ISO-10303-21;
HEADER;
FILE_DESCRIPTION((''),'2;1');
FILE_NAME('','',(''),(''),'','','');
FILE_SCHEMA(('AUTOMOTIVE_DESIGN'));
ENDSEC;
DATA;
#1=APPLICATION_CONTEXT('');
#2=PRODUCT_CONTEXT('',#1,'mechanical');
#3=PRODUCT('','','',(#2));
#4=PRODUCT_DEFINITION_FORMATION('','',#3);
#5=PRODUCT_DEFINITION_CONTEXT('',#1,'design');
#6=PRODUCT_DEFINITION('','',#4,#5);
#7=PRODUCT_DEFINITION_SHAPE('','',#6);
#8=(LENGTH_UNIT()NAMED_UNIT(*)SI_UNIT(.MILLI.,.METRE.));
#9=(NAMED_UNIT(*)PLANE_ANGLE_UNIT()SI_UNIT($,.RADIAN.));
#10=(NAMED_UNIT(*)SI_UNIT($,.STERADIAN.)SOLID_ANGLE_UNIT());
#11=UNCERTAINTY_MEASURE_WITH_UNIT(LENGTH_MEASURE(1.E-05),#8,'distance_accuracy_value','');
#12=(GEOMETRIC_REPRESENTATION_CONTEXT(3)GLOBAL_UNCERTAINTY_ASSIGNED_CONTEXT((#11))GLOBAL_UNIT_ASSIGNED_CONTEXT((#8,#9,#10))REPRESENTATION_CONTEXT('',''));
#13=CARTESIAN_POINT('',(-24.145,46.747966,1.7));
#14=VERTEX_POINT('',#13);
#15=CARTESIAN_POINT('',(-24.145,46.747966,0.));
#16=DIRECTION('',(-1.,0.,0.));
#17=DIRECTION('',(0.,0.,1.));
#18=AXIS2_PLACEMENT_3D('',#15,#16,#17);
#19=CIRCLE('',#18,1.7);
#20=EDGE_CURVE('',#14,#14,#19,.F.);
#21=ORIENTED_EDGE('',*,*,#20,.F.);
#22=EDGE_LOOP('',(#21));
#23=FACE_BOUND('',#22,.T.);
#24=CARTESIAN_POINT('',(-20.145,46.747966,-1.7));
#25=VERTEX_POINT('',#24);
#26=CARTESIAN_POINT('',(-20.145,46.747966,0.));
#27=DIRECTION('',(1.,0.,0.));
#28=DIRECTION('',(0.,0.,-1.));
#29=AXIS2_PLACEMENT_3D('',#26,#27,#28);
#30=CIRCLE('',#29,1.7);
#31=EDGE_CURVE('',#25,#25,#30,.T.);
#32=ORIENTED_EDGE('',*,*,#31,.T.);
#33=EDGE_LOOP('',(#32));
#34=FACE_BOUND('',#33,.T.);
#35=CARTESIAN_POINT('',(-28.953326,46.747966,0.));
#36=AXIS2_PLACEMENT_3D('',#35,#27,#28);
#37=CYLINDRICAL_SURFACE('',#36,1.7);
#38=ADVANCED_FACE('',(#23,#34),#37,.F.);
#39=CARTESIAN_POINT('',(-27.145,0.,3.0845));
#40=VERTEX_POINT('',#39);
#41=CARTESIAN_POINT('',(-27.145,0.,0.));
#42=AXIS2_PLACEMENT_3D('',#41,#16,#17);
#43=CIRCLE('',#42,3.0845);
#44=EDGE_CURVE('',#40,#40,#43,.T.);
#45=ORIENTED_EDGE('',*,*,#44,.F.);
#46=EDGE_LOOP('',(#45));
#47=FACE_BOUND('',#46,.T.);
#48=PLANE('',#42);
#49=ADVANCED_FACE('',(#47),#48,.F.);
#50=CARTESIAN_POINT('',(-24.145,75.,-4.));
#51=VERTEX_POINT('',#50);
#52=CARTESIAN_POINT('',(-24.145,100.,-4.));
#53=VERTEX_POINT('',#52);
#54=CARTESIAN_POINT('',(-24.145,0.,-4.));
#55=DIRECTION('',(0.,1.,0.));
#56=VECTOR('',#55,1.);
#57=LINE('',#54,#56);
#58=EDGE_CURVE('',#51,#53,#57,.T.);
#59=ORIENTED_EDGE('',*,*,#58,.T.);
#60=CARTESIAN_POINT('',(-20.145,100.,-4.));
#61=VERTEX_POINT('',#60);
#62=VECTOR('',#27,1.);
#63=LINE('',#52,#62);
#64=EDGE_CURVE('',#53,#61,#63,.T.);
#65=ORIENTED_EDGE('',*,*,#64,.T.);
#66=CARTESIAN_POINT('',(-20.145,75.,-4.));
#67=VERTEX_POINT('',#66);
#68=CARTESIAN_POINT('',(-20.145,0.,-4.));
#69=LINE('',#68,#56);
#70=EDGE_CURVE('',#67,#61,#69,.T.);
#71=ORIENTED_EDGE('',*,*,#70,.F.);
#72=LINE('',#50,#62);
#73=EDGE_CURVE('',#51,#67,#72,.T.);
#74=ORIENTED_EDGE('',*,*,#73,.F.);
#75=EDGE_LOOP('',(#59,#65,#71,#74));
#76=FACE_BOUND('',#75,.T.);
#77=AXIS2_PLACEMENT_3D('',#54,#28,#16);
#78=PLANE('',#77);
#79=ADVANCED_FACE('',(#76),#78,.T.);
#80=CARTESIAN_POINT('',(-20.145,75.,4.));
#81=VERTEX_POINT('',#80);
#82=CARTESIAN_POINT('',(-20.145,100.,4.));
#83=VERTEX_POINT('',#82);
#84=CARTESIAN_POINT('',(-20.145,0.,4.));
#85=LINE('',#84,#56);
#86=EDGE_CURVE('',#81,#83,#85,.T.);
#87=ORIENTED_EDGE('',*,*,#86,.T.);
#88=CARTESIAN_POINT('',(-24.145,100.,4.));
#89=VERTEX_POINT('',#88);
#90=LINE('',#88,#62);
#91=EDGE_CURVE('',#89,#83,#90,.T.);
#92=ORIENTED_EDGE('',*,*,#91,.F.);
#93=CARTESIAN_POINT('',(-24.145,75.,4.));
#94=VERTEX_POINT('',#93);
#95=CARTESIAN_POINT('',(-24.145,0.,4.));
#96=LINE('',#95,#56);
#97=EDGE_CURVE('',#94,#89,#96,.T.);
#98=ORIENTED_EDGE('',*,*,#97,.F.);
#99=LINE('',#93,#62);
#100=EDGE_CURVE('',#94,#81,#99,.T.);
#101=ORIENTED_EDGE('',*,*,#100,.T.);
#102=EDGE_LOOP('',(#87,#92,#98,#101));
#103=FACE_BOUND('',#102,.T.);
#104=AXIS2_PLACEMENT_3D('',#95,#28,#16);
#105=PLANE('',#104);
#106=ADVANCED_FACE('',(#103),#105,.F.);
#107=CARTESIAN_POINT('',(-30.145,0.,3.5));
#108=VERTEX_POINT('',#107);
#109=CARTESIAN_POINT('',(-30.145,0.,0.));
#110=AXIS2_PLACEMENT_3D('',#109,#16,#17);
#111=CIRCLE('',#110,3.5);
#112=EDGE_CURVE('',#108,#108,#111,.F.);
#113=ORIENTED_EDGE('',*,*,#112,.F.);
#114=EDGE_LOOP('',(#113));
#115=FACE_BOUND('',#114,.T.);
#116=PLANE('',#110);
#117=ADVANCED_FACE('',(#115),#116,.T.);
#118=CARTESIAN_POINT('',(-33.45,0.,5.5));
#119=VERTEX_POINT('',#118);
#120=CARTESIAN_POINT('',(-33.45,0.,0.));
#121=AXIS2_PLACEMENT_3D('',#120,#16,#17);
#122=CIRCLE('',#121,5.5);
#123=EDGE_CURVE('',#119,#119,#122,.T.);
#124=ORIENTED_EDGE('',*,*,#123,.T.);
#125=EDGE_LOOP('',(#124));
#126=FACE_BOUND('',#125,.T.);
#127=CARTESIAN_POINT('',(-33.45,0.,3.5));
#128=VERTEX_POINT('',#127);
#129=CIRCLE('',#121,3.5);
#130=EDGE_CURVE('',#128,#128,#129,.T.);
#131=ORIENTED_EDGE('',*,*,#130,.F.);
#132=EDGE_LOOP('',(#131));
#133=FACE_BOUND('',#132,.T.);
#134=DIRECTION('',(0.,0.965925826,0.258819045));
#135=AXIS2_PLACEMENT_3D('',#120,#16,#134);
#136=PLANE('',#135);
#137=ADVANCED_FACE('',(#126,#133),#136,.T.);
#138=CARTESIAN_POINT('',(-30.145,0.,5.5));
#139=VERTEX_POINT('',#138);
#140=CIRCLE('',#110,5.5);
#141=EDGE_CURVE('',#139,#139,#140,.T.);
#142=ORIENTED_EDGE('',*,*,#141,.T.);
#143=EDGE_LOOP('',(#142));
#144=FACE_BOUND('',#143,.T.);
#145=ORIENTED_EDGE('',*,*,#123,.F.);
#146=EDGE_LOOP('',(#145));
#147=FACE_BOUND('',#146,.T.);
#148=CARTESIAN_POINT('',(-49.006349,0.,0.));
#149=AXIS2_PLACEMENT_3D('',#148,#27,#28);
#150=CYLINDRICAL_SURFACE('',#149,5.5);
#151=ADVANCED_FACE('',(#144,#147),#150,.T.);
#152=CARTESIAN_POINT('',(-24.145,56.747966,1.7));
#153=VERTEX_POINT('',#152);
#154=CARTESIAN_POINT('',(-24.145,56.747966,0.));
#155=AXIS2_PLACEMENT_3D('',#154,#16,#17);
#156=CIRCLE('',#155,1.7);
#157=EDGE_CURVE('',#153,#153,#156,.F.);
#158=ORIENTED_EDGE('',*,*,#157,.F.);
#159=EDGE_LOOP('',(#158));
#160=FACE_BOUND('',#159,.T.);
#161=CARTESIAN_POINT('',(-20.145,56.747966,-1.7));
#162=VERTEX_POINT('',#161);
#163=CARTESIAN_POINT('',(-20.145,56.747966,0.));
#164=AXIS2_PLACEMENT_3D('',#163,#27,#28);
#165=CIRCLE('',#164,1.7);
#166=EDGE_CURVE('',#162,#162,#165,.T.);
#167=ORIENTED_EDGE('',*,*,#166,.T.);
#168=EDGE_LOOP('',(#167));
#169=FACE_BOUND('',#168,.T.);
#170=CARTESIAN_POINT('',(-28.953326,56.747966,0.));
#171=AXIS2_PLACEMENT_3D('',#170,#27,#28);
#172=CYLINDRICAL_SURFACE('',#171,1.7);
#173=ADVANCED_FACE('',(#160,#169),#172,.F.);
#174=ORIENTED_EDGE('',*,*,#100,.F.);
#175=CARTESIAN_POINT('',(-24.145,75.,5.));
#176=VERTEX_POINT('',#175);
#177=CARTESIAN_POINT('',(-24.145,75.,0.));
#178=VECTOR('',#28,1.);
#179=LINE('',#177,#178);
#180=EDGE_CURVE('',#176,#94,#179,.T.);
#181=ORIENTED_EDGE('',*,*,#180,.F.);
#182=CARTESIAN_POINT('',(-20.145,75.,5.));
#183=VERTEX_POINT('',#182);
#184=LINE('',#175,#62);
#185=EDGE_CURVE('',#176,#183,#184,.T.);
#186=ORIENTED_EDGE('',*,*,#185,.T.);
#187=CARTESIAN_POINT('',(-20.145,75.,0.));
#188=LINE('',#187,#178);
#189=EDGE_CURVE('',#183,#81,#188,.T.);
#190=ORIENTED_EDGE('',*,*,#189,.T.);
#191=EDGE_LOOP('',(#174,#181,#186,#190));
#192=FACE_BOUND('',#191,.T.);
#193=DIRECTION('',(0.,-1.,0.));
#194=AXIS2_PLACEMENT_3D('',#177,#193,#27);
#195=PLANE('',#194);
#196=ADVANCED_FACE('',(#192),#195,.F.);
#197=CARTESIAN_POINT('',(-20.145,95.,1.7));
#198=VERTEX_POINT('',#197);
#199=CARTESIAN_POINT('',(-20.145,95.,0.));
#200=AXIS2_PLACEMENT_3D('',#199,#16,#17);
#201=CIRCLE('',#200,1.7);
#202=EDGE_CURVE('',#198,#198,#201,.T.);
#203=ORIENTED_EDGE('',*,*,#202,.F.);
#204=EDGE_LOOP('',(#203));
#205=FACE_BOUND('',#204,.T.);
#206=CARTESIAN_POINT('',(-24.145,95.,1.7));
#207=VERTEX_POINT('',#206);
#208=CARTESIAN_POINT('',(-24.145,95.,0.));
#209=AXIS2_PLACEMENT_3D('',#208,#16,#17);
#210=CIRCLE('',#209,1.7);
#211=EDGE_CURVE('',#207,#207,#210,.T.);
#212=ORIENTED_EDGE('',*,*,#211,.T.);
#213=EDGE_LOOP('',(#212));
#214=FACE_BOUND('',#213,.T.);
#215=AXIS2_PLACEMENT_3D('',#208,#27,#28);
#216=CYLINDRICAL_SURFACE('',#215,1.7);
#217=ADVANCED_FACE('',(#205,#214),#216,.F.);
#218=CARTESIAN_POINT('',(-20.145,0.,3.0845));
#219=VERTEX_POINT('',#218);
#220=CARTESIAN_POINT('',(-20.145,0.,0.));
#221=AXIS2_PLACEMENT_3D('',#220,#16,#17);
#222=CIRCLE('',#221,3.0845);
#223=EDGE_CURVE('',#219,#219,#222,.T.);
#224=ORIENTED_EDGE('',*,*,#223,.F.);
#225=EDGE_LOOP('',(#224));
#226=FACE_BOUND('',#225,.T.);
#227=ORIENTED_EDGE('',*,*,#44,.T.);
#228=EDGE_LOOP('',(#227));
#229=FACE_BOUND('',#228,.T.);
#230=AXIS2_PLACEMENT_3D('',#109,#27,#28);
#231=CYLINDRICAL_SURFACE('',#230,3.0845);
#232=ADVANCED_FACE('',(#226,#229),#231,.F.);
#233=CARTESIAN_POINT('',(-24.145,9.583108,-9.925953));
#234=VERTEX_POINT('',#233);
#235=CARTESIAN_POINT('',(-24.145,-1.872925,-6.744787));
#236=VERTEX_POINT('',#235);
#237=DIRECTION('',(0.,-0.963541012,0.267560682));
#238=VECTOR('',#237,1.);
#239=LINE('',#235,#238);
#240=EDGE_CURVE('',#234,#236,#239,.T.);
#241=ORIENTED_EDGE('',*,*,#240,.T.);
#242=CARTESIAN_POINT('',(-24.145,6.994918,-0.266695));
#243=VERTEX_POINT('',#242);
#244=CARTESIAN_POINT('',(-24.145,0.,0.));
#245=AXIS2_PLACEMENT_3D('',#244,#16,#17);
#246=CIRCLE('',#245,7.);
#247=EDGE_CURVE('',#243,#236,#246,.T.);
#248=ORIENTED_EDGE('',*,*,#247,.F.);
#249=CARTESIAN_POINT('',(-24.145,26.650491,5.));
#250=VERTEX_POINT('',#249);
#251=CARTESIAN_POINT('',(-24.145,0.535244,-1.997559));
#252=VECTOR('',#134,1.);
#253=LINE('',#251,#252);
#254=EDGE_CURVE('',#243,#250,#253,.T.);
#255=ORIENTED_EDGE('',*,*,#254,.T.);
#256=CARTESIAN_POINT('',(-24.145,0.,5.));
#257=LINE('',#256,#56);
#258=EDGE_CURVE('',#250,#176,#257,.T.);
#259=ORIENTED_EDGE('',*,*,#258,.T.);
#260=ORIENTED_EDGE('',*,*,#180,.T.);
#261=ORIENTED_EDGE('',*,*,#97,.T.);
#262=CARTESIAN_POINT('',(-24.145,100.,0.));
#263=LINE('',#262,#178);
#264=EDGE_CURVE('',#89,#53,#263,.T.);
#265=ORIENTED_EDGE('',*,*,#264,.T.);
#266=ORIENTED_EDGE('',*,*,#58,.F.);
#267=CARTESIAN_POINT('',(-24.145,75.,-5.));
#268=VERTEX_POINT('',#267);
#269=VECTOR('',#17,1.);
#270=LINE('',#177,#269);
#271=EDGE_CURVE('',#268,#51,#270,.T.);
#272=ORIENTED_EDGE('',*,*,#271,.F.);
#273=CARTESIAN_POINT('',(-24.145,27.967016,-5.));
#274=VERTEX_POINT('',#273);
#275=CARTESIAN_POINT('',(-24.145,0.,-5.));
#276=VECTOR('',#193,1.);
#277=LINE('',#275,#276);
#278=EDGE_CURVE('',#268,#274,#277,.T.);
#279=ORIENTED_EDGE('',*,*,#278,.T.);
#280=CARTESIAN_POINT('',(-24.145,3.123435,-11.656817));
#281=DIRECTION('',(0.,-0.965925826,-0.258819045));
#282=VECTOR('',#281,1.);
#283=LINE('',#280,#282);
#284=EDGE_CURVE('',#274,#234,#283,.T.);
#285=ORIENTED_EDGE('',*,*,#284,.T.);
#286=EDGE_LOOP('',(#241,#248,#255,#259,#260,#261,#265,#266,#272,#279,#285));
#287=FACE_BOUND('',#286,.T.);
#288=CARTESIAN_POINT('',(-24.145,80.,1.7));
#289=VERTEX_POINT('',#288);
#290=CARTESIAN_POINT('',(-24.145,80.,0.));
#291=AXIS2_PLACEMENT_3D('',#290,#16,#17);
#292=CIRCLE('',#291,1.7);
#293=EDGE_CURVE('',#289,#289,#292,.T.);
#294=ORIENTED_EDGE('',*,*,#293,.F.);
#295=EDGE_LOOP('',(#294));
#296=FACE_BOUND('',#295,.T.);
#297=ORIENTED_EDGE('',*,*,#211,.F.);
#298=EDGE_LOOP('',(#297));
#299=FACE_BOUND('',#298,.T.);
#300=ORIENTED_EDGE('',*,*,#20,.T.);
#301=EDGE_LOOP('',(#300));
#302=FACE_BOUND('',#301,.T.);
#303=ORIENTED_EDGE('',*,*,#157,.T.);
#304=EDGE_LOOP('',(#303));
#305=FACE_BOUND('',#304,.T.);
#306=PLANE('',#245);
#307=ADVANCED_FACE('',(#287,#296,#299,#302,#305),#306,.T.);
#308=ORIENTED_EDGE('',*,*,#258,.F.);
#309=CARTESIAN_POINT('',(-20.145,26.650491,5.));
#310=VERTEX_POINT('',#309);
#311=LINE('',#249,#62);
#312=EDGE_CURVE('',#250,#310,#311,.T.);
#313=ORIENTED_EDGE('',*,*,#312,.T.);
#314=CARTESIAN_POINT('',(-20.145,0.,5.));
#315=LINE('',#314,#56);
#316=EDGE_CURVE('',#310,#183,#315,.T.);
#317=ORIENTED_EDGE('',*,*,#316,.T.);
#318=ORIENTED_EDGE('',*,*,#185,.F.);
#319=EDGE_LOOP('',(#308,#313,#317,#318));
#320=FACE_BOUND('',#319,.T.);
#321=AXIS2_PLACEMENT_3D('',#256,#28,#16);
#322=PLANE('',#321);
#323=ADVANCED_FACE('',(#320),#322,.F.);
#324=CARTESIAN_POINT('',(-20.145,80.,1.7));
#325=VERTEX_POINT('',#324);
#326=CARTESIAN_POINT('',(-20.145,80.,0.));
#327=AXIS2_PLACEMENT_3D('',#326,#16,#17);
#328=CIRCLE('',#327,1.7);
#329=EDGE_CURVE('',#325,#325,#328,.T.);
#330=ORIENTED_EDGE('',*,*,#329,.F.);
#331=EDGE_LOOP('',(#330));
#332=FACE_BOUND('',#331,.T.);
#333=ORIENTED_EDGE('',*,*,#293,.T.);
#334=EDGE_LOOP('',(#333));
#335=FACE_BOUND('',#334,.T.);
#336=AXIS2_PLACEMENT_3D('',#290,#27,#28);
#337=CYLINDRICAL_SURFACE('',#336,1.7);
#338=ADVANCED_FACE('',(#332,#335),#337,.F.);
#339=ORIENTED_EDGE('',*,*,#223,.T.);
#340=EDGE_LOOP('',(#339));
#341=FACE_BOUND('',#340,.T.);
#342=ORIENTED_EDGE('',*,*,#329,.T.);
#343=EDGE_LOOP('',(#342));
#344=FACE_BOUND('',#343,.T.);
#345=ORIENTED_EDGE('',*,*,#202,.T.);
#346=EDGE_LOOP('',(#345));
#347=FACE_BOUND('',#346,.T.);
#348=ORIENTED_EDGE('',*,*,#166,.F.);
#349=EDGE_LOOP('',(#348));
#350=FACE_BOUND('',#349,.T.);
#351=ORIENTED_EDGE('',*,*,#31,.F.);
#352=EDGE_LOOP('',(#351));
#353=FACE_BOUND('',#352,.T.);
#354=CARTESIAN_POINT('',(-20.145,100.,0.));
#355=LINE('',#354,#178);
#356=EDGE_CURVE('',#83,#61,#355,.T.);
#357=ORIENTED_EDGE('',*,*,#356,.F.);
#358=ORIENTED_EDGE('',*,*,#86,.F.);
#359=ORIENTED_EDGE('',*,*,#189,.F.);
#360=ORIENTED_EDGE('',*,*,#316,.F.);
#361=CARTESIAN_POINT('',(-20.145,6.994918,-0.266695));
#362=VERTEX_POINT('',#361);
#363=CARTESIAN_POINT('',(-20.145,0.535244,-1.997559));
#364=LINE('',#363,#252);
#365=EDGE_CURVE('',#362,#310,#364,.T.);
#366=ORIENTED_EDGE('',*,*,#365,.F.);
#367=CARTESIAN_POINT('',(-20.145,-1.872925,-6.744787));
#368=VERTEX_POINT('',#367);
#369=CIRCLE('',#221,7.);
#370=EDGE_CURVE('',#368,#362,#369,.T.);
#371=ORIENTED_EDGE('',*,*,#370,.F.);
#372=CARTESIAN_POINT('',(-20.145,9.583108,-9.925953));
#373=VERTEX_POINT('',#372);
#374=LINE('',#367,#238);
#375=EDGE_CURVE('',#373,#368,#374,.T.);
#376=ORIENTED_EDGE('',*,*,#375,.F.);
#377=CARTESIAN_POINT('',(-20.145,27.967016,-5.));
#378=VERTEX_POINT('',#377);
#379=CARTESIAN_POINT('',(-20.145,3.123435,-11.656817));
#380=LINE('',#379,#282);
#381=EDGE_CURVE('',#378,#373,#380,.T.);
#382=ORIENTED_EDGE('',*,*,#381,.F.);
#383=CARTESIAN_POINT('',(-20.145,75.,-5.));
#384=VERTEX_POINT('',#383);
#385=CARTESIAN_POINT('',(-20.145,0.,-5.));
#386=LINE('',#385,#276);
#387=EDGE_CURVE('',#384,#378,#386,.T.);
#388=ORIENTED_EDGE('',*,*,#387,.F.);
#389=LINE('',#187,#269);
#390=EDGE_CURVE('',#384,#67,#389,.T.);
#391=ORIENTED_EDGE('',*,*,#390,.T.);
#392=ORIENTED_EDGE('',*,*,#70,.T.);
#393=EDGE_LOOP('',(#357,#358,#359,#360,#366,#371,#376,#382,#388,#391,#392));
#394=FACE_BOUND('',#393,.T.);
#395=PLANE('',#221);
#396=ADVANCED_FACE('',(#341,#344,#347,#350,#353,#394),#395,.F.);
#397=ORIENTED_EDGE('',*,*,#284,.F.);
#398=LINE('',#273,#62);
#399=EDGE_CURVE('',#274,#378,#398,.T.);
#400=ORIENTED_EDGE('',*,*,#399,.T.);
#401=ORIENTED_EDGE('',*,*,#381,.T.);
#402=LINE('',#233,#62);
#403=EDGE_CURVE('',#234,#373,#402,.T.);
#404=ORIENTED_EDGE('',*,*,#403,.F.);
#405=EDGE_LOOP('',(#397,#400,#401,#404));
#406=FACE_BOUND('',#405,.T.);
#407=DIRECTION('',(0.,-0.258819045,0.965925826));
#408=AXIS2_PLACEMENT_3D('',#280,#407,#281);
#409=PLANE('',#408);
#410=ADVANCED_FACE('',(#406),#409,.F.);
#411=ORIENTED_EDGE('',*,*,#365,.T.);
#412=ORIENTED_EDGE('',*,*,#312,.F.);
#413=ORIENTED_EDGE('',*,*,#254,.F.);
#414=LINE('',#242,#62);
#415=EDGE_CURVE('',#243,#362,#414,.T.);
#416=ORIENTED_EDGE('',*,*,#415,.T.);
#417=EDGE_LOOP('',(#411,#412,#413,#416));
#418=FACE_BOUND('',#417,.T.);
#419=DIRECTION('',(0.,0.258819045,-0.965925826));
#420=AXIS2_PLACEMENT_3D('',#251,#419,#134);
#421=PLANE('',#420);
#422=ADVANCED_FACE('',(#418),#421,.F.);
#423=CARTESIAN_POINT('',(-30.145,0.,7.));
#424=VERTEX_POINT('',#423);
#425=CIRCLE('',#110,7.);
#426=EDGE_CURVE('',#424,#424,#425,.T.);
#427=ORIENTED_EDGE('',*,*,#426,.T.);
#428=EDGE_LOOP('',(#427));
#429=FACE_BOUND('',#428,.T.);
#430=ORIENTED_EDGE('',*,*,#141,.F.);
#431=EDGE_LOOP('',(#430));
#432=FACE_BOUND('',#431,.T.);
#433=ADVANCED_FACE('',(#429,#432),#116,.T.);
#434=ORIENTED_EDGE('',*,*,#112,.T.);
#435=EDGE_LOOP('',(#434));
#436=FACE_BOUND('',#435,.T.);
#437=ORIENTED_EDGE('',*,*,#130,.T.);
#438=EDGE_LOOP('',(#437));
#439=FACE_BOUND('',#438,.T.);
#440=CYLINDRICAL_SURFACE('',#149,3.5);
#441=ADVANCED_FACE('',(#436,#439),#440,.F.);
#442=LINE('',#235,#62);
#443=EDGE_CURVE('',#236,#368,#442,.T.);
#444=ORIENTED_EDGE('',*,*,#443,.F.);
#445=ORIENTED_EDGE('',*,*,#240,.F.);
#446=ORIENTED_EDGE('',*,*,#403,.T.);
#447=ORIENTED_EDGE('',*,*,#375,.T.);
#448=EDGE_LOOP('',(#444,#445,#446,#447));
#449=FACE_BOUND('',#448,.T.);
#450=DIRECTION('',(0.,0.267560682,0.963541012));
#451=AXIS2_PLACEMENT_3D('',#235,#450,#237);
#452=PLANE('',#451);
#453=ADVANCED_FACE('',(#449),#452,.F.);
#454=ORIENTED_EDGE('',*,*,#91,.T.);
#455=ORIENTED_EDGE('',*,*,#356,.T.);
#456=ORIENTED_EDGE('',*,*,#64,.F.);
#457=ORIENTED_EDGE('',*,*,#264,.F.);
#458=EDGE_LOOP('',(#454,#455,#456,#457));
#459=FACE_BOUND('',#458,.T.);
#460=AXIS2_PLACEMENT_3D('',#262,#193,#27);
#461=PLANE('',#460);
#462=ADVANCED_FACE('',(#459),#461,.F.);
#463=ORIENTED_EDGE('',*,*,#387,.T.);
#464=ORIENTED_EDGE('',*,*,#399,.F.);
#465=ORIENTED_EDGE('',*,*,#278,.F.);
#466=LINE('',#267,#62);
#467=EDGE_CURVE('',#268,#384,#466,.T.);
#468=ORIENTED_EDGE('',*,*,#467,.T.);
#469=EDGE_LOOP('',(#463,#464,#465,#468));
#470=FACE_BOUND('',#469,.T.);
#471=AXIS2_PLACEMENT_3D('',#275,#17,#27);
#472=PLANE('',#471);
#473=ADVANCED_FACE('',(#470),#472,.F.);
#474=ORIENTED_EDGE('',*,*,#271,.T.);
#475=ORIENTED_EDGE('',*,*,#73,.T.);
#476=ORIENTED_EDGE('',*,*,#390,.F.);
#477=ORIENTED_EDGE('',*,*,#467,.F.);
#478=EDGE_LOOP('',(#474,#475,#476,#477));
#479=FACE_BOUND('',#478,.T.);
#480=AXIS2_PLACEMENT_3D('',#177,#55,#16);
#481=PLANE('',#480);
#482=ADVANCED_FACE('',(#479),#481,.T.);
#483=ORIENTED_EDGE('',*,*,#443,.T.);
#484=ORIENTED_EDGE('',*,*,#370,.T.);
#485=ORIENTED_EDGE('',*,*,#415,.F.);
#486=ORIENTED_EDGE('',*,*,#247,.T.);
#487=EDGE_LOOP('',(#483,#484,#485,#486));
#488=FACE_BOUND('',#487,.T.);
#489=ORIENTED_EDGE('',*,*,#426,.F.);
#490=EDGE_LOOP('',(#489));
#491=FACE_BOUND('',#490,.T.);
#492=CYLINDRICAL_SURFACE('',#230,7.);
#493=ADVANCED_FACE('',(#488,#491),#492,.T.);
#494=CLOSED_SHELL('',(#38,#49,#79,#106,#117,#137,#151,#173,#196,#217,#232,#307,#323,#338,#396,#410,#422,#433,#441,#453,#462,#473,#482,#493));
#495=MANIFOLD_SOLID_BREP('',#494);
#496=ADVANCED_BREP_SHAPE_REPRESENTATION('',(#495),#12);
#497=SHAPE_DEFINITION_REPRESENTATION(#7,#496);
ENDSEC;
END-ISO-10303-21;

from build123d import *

# Parameters (mm, degrees)
SKETCH1_R           = 7
SKETCH1_R_2         = 3.0845
BOSS_EXTRUDE1_DEPTH = 10
BOSS_EXTRUDE2_START = 7
SKETCH1_3_R         = 7
BOSS_EXTRUDE2_DEPTH = 3
SKETCH1_5_R         = 1.7
BOSS_EXTRUDE3_DEPTH = 4
SKETCH2_R           = 5.5
SKETCH2_R_2         = 3.5
BOSS_EXTRUDE4_DEPTH = 3.305
SKETCH3_R           = 1.7
CUT_EXTRUDE1_DEPTH  = 4


with BuildPart() as part:
    # Sketch1 → Boss-Extrude1 (new body)
    with BuildSketch(Plane.ZY.offset(20.145)):
        Circle(SKETCH1_R)
        Circle(SKETCH1_R_2, mode=Mode.SUBTRACT)
    extrude(amount=BOSS_EXTRUDE1_DEPTH)

    # Sketch1<3> → Boss-Extrude2 (add)
    with BuildSketch(Plane.ZY.offset(20.145).offset(BOSS_EXTRUDE2_START)):
        Circle(SKETCH1_3_R)
    extrude(amount=BOSS_EXTRUDE2_DEPTH)

    # Sketch1<5> → Boss-Extrude3 (add)
    with BuildSketch(Plane.ZY.offset(20.145)):
        with BuildLine():
            Line((-5, 75), (-5, 27.967015644))
            Line((-5, 27.967015644), (-9.925953163, 9.583108165))
            Line((-9.925953163, 9.583108165), (-6.744787083, -1.872924772))
            ThreePointArc((-6.744787083, -1.872924772), (-5.652422268, 4.129179399), (-0.2666949, 6.994917714))
            Line((-0.2666949, 6.994917714), (5, 26.650490668))
            Line((5, 26.650490668), (5, 75))
            Line((5, 75), (4, 75))
            Line((4, 75), (4, 100))
            Line((4, 100), (-4, 100))
            Line((-4, 100), (-4, 75))
            Line((-4, 75), (-5, 75))
        make_face()
        with Locations((0, 80)):
            Circle(SKETCH1_5_R, mode=Mode.SUBTRACT)
        with Locations((0, 95)):
            Circle(SKETCH1_5_R, mode=Mode.SUBTRACT)
    extrude(amount=BOSS_EXTRUDE3_DEPTH)

    # Sketch2 → Boss-Extrude4 (add)
    with BuildSketch(Plane.ZY.offset(30.145)):
        Circle(SKETCH2_R)
        Circle(SKETCH2_R_2, mode=Mode.SUBTRACT)
    extrude(amount=BOSS_EXTRUDE4_DEPTH)

    # Sketch3 → Cut-Extrude1 (cut)
    with BuildSketch(Plane(origin=(-20.145, 0, 0), x_dir=(0, 0, -1), z_dir=(1, 0, 0))):
        with Locations((0, 46.747966087)):
            Circle(SKETCH3_R)
        with Locations((0, 56.747966087)):
            Circle(SKETCH3_R)
    extrude(amount=-CUT_EXTRUDE1_DEPTH, mode=Mode.SUBTRACT)


solid = part.part
